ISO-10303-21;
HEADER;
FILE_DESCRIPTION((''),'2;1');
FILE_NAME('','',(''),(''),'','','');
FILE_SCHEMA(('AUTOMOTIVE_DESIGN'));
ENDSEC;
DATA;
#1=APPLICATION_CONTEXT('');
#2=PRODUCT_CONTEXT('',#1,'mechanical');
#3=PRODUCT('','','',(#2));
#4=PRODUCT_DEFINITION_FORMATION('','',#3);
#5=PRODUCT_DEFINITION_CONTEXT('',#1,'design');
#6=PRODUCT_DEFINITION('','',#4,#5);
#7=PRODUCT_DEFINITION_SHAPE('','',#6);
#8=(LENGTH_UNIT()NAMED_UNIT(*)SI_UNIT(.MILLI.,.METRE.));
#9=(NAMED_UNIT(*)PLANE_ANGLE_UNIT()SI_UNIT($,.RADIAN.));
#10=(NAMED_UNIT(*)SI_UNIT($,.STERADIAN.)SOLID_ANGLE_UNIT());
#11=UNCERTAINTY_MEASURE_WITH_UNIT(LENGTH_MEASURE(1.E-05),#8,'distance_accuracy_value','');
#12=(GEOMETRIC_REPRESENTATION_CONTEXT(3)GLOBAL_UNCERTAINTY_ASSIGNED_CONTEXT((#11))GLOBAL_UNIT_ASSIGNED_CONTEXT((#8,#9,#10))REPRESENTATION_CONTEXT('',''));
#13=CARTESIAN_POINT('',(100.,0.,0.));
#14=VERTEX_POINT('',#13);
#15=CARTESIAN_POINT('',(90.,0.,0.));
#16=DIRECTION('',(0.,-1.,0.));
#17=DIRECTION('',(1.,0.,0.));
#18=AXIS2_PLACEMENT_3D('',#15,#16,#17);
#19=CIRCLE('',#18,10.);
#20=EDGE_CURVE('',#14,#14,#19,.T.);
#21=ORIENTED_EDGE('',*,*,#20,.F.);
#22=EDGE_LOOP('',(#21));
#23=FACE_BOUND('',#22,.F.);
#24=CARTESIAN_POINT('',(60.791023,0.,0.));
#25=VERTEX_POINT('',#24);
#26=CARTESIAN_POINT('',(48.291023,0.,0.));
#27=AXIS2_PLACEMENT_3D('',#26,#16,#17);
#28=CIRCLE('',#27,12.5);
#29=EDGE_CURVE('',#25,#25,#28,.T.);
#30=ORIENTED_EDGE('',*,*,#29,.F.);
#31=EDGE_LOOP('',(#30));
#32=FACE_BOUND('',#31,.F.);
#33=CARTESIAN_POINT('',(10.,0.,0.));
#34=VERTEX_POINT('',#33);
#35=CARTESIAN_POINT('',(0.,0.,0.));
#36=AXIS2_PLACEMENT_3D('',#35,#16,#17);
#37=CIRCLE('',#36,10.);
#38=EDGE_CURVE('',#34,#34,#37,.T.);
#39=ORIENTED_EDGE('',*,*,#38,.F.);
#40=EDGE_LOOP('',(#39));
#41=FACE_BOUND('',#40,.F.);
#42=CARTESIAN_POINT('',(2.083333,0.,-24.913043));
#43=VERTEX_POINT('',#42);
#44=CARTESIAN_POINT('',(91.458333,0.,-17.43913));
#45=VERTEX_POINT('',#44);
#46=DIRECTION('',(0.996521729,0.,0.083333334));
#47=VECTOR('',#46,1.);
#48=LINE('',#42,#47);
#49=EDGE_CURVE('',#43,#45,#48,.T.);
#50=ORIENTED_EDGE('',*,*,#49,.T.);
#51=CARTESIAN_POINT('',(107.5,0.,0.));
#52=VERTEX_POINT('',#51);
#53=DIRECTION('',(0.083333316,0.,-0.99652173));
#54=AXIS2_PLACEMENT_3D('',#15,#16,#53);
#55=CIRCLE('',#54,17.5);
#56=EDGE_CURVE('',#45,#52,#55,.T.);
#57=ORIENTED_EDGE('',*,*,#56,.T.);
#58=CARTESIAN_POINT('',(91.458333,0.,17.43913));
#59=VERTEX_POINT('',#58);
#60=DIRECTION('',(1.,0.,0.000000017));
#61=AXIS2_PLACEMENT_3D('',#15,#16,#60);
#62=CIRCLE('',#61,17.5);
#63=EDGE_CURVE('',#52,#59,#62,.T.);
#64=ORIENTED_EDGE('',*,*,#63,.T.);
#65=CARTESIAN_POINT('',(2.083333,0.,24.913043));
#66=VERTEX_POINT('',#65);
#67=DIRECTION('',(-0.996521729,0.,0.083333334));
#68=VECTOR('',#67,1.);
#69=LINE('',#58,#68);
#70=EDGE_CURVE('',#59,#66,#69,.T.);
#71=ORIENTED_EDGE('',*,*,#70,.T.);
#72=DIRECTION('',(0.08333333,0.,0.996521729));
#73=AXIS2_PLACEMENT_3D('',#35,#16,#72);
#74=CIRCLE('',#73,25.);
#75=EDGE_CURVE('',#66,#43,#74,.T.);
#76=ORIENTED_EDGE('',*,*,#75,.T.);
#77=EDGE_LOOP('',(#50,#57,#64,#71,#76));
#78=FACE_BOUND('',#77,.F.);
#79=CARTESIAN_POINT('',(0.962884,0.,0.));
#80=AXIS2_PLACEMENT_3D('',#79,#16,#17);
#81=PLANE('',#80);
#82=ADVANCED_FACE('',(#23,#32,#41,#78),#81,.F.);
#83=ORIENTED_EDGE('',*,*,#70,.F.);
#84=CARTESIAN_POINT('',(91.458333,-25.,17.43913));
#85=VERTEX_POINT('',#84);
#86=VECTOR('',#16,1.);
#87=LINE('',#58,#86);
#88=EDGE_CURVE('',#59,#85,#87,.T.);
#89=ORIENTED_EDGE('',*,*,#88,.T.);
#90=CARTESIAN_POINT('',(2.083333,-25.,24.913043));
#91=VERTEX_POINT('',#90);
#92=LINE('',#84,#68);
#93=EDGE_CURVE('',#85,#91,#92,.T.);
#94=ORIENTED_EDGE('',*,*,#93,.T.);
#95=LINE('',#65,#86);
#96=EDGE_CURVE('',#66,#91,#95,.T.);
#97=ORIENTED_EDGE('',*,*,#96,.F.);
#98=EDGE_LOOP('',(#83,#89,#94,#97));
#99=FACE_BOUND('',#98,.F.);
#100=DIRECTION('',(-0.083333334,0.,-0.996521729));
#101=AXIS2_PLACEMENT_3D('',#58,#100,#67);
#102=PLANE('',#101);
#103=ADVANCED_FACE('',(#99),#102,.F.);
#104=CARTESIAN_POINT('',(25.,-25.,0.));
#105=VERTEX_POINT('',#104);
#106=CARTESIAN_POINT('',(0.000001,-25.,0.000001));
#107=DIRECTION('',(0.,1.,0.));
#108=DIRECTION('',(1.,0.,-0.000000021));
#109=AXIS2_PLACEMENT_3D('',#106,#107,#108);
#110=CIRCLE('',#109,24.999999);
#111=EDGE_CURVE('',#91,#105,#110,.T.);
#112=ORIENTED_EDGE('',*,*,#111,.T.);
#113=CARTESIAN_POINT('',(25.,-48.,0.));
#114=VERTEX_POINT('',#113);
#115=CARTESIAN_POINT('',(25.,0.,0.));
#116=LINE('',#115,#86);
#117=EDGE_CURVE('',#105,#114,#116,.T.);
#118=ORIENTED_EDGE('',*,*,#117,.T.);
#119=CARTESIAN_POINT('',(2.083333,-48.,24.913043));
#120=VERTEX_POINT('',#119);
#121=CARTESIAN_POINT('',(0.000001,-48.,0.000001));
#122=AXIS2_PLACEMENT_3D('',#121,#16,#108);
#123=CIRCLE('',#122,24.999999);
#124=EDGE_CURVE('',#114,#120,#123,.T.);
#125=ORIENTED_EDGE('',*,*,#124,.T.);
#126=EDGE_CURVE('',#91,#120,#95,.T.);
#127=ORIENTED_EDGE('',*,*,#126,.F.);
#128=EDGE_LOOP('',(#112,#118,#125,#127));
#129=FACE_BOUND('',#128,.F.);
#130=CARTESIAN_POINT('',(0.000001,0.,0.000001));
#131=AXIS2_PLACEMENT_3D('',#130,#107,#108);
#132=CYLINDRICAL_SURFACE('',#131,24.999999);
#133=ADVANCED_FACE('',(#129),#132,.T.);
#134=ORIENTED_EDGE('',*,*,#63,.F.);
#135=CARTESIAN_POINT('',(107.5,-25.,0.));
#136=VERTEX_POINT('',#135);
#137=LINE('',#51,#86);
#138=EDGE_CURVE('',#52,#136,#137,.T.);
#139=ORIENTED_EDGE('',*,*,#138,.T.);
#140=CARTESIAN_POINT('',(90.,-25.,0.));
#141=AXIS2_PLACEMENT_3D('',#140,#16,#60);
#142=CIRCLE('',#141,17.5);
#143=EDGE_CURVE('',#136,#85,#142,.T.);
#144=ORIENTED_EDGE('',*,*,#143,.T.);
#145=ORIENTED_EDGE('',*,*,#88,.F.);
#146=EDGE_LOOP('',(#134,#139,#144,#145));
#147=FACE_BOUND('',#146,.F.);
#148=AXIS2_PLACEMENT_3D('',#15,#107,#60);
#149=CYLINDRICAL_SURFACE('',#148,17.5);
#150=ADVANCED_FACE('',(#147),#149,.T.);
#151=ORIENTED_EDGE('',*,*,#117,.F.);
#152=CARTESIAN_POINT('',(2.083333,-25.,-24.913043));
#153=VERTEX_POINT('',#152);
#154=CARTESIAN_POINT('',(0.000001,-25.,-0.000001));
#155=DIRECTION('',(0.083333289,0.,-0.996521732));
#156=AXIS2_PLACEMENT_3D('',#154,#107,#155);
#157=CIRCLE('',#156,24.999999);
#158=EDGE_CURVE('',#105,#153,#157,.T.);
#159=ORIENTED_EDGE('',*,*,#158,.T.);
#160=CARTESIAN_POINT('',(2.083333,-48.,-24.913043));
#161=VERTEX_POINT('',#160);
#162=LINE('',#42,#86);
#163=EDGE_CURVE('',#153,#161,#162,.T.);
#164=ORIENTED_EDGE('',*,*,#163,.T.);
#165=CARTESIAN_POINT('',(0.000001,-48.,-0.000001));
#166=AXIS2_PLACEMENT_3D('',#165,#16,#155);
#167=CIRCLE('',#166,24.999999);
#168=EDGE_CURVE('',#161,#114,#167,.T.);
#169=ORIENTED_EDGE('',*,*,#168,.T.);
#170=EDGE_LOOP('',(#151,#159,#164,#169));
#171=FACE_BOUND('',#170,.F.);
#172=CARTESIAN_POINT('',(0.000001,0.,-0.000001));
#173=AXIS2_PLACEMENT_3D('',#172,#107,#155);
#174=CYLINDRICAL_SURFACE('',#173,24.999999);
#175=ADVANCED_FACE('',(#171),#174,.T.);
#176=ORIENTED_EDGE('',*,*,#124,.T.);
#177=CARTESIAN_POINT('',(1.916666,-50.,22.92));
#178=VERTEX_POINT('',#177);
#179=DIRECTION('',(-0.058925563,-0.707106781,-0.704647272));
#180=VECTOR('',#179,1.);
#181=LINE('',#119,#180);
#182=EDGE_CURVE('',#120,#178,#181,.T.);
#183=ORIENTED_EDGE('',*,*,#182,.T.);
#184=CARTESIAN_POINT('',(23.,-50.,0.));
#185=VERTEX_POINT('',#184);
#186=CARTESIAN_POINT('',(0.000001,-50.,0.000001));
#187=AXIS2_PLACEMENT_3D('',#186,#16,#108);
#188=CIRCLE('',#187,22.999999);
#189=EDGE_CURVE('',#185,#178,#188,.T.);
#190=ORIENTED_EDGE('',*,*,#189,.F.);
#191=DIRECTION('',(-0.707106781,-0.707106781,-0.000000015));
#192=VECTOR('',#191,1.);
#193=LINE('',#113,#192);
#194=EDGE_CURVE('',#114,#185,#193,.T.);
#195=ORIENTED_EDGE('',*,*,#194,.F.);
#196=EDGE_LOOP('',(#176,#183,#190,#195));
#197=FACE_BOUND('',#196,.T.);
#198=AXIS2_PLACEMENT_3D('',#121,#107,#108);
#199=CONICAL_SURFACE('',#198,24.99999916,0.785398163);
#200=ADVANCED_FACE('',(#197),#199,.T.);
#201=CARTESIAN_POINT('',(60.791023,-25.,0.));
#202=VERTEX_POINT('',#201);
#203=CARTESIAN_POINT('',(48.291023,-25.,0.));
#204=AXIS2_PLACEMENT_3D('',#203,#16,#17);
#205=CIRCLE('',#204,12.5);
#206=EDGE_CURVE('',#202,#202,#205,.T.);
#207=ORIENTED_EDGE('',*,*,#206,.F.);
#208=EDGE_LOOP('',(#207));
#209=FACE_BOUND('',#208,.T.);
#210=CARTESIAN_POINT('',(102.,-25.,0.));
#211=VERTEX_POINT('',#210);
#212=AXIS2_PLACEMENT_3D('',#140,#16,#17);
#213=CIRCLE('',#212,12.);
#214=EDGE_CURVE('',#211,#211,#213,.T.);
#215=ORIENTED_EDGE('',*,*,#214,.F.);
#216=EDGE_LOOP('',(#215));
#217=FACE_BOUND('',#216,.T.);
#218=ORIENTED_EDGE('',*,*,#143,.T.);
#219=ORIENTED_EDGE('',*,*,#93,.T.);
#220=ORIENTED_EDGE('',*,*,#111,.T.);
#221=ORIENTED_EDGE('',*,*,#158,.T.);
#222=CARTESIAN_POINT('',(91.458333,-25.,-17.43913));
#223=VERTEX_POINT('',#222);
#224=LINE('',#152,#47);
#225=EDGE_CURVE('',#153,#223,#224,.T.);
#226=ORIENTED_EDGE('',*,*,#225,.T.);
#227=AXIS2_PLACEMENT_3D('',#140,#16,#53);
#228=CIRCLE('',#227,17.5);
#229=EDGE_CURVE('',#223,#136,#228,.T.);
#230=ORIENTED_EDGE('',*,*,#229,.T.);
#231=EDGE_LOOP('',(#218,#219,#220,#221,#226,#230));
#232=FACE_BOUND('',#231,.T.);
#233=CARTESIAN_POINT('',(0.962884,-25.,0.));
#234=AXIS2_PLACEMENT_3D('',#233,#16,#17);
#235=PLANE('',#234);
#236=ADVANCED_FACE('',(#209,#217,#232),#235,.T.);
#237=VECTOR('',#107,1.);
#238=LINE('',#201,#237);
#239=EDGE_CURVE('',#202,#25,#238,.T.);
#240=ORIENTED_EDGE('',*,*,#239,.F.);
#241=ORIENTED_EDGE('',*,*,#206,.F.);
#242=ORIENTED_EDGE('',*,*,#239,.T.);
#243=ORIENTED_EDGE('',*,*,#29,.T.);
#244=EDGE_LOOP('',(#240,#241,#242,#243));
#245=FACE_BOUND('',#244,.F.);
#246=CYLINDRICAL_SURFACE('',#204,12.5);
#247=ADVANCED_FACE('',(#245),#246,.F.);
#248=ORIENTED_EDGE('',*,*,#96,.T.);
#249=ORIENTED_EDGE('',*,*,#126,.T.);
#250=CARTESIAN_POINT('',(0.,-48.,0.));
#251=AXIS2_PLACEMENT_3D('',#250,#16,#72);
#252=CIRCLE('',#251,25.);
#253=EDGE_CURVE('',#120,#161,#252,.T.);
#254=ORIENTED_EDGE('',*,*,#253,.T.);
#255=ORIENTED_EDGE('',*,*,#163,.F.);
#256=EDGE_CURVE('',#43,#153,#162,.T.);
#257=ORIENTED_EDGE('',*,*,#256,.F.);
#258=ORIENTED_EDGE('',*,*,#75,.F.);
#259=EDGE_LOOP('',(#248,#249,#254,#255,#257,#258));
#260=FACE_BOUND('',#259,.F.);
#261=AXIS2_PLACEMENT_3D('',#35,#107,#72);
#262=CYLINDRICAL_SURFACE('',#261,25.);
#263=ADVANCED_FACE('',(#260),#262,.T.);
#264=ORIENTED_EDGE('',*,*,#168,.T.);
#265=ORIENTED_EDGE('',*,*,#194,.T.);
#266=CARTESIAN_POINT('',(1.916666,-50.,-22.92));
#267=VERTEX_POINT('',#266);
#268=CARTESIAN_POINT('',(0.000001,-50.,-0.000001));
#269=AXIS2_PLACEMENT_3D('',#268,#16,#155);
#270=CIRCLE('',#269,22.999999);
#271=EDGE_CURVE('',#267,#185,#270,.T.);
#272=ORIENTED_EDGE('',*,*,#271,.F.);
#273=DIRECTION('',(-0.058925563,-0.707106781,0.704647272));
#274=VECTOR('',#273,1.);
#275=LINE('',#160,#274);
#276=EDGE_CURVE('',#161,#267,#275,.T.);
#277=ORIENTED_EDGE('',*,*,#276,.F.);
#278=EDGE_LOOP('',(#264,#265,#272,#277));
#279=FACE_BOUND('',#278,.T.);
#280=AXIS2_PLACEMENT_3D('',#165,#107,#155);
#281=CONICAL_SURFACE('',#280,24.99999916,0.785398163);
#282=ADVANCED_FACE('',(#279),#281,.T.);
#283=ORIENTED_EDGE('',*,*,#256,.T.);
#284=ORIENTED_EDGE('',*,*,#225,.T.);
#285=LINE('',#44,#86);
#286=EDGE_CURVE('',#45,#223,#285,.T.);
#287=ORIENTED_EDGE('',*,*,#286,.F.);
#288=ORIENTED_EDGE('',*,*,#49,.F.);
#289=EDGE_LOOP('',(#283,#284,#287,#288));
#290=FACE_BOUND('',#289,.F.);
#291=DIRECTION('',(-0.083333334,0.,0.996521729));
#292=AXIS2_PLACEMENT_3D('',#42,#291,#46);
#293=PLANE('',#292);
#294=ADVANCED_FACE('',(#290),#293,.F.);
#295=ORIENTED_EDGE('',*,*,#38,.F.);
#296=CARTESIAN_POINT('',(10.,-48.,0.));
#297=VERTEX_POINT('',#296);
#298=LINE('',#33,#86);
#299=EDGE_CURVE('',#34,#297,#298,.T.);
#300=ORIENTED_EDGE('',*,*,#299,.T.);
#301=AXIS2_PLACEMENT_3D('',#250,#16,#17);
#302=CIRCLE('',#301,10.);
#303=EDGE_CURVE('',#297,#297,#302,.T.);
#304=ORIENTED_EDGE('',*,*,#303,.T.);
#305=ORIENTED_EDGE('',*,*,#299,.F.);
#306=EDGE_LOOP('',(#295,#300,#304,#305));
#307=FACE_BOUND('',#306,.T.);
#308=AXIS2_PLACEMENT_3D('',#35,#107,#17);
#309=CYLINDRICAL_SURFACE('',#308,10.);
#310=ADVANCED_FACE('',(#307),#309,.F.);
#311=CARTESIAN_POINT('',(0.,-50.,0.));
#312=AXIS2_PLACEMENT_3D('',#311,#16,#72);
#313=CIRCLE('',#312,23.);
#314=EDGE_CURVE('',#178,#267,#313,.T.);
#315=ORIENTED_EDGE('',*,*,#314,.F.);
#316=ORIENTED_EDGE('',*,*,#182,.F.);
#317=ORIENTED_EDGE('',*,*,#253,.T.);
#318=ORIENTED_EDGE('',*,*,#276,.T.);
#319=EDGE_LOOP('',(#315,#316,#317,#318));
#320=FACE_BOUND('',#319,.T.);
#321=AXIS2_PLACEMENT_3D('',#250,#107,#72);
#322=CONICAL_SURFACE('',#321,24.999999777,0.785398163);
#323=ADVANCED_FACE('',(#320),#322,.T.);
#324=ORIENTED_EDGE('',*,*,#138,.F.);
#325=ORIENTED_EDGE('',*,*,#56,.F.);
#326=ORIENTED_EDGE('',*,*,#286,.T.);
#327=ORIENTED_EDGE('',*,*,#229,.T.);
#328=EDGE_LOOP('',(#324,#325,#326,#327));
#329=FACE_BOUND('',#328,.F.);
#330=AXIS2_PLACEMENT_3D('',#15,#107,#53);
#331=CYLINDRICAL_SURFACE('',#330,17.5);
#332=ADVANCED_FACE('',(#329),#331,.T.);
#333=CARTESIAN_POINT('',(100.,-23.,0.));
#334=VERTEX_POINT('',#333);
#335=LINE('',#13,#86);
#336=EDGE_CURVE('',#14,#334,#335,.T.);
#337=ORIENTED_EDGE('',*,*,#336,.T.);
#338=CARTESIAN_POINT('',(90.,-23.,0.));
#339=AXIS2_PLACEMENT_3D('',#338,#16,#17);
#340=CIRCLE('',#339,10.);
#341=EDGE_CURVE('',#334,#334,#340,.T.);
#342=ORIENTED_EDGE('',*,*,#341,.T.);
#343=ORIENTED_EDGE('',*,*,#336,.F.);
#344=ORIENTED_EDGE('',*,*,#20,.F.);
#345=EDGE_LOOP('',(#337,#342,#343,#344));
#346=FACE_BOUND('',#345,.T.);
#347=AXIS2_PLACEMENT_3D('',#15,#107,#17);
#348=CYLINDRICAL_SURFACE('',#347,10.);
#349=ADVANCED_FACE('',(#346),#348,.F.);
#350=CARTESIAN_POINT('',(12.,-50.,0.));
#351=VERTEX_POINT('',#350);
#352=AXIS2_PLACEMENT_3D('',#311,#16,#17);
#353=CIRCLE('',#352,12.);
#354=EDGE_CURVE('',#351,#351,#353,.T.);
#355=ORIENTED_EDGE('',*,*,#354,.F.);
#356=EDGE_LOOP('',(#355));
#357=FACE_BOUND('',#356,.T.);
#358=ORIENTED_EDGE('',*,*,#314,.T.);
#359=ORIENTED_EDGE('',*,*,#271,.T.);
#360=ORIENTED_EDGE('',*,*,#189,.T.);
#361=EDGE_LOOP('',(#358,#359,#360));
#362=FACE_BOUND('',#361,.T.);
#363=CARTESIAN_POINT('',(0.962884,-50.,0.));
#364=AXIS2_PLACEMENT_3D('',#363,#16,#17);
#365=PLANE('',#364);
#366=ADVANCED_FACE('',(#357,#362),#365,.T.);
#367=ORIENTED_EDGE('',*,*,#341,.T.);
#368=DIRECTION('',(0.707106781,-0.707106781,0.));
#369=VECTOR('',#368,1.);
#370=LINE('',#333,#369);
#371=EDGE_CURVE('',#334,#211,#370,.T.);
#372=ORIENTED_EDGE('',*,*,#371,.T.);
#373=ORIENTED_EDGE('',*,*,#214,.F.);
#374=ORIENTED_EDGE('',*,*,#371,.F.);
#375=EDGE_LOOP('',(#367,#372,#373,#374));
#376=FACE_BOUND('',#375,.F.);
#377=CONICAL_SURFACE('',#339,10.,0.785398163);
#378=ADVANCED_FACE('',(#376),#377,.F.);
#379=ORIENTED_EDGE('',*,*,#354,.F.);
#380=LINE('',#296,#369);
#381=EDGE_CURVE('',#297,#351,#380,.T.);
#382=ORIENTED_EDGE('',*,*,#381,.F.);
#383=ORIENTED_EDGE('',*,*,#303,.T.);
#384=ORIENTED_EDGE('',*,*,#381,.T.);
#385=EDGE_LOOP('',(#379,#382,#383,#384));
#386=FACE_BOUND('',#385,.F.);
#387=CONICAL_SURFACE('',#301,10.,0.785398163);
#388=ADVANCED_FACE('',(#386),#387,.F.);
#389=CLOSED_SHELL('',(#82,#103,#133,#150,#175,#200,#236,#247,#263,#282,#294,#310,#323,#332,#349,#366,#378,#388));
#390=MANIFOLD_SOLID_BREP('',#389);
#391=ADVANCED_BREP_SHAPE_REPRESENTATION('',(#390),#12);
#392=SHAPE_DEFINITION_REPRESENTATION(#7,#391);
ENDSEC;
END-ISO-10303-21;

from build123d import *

# Parameters (mm, degrees)
F0_R     = 10
F1_DEPTH = 25
F2_DEPTH = 50
F3_SIZE  = 2
F5_R     = 12.5
F6_DEPTH = 25.001


with BuildPart() as f1:
    # F0 (on Front) → F1 (new body)
    with BuildSketch(Plane.XZ):
        with BuildLine():
            ThreePointArc((2.083333, -24.913043), (18.399502, -16.92508), (25, 0))
            ThreePointArc((25, 0), (18.399502, 16.92508), (2.083333, 24.913043))
            ThreePointArc((2.083333, 24.913043), (-25, 0), (2.083333, -24.913043))
        make_face()
        Circle(F0_R, mode=Mode.SUBTRACT)
        with BuildLine():
            ThreePointArc((2.083333, 24.913043), (18.399502, 16.92508), (25, 0))
            ThreePointArc((25, 0), (18.399502, -16.92508), (2.083333, -24.913043))
            Line((2.083333, -24.913043), (91.458333, -17.43913))
            ThreePointArc((91.458333, -17.43913), (72.5, 0), (91.458333, 17.43913))
            Line((91.458333, 17.43913), (2.083333, 24.913043))
        make_face()
        with BuildLine():
            ThreePointArc((107.5, 0), (102.879651, 11.847556), (91.458333, 17.43913))
            ThreePointArc((91.458333, 17.43913), (72.5, 0), (91.458333, -17.43913))
            ThreePointArc((91.458333, -17.43913), (102.879651, -11.847556), (107.5, 0))
        make_face()
        with Locations((90, 0)):
            Circle(F0_R, mode=Mode.SUBTRACT)
    extrude(amount=F1_DEPTH)

    # F0 (on Front) → F2 (join)
    with BuildSketch(Plane.XZ):
        with BuildLine():
            ThreePointArc((2.083333, -24.913043), (18.399502, -16.92508), (25, 0))
            ThreePointArc((25, 0), (18.399502, 16.92508), (2.083333, 24.913043))
            ThreePointArc((2.083333, 24.913043), (-25, 0), (2.083333, -24.913043))
        make_face()
        Circle(F0_R, mode=Mode.SUBTRACT)
    extrude(amount=F2_DEPTH)

    # F3
    f3_edges = [f1.edges().sort_by_distance(p)[0] for p in [
        (-2.083333, -50, 24.913043),
        (-10, -50, 0),
        (80, -25, 0),
    ]]
    chamfer(f3_edges, length=F3_SIZE)

    # F5 (on face) → F6 (cut, through all)
    with BuildSketch(Plane.XZ.offset(25)):
        with Locations((48.291023, 0)):
            Circle(F5_R)
    extrude(amount=-F6_DEPTH, mode=Mode.SUBTRACT)


solid = f1.part
